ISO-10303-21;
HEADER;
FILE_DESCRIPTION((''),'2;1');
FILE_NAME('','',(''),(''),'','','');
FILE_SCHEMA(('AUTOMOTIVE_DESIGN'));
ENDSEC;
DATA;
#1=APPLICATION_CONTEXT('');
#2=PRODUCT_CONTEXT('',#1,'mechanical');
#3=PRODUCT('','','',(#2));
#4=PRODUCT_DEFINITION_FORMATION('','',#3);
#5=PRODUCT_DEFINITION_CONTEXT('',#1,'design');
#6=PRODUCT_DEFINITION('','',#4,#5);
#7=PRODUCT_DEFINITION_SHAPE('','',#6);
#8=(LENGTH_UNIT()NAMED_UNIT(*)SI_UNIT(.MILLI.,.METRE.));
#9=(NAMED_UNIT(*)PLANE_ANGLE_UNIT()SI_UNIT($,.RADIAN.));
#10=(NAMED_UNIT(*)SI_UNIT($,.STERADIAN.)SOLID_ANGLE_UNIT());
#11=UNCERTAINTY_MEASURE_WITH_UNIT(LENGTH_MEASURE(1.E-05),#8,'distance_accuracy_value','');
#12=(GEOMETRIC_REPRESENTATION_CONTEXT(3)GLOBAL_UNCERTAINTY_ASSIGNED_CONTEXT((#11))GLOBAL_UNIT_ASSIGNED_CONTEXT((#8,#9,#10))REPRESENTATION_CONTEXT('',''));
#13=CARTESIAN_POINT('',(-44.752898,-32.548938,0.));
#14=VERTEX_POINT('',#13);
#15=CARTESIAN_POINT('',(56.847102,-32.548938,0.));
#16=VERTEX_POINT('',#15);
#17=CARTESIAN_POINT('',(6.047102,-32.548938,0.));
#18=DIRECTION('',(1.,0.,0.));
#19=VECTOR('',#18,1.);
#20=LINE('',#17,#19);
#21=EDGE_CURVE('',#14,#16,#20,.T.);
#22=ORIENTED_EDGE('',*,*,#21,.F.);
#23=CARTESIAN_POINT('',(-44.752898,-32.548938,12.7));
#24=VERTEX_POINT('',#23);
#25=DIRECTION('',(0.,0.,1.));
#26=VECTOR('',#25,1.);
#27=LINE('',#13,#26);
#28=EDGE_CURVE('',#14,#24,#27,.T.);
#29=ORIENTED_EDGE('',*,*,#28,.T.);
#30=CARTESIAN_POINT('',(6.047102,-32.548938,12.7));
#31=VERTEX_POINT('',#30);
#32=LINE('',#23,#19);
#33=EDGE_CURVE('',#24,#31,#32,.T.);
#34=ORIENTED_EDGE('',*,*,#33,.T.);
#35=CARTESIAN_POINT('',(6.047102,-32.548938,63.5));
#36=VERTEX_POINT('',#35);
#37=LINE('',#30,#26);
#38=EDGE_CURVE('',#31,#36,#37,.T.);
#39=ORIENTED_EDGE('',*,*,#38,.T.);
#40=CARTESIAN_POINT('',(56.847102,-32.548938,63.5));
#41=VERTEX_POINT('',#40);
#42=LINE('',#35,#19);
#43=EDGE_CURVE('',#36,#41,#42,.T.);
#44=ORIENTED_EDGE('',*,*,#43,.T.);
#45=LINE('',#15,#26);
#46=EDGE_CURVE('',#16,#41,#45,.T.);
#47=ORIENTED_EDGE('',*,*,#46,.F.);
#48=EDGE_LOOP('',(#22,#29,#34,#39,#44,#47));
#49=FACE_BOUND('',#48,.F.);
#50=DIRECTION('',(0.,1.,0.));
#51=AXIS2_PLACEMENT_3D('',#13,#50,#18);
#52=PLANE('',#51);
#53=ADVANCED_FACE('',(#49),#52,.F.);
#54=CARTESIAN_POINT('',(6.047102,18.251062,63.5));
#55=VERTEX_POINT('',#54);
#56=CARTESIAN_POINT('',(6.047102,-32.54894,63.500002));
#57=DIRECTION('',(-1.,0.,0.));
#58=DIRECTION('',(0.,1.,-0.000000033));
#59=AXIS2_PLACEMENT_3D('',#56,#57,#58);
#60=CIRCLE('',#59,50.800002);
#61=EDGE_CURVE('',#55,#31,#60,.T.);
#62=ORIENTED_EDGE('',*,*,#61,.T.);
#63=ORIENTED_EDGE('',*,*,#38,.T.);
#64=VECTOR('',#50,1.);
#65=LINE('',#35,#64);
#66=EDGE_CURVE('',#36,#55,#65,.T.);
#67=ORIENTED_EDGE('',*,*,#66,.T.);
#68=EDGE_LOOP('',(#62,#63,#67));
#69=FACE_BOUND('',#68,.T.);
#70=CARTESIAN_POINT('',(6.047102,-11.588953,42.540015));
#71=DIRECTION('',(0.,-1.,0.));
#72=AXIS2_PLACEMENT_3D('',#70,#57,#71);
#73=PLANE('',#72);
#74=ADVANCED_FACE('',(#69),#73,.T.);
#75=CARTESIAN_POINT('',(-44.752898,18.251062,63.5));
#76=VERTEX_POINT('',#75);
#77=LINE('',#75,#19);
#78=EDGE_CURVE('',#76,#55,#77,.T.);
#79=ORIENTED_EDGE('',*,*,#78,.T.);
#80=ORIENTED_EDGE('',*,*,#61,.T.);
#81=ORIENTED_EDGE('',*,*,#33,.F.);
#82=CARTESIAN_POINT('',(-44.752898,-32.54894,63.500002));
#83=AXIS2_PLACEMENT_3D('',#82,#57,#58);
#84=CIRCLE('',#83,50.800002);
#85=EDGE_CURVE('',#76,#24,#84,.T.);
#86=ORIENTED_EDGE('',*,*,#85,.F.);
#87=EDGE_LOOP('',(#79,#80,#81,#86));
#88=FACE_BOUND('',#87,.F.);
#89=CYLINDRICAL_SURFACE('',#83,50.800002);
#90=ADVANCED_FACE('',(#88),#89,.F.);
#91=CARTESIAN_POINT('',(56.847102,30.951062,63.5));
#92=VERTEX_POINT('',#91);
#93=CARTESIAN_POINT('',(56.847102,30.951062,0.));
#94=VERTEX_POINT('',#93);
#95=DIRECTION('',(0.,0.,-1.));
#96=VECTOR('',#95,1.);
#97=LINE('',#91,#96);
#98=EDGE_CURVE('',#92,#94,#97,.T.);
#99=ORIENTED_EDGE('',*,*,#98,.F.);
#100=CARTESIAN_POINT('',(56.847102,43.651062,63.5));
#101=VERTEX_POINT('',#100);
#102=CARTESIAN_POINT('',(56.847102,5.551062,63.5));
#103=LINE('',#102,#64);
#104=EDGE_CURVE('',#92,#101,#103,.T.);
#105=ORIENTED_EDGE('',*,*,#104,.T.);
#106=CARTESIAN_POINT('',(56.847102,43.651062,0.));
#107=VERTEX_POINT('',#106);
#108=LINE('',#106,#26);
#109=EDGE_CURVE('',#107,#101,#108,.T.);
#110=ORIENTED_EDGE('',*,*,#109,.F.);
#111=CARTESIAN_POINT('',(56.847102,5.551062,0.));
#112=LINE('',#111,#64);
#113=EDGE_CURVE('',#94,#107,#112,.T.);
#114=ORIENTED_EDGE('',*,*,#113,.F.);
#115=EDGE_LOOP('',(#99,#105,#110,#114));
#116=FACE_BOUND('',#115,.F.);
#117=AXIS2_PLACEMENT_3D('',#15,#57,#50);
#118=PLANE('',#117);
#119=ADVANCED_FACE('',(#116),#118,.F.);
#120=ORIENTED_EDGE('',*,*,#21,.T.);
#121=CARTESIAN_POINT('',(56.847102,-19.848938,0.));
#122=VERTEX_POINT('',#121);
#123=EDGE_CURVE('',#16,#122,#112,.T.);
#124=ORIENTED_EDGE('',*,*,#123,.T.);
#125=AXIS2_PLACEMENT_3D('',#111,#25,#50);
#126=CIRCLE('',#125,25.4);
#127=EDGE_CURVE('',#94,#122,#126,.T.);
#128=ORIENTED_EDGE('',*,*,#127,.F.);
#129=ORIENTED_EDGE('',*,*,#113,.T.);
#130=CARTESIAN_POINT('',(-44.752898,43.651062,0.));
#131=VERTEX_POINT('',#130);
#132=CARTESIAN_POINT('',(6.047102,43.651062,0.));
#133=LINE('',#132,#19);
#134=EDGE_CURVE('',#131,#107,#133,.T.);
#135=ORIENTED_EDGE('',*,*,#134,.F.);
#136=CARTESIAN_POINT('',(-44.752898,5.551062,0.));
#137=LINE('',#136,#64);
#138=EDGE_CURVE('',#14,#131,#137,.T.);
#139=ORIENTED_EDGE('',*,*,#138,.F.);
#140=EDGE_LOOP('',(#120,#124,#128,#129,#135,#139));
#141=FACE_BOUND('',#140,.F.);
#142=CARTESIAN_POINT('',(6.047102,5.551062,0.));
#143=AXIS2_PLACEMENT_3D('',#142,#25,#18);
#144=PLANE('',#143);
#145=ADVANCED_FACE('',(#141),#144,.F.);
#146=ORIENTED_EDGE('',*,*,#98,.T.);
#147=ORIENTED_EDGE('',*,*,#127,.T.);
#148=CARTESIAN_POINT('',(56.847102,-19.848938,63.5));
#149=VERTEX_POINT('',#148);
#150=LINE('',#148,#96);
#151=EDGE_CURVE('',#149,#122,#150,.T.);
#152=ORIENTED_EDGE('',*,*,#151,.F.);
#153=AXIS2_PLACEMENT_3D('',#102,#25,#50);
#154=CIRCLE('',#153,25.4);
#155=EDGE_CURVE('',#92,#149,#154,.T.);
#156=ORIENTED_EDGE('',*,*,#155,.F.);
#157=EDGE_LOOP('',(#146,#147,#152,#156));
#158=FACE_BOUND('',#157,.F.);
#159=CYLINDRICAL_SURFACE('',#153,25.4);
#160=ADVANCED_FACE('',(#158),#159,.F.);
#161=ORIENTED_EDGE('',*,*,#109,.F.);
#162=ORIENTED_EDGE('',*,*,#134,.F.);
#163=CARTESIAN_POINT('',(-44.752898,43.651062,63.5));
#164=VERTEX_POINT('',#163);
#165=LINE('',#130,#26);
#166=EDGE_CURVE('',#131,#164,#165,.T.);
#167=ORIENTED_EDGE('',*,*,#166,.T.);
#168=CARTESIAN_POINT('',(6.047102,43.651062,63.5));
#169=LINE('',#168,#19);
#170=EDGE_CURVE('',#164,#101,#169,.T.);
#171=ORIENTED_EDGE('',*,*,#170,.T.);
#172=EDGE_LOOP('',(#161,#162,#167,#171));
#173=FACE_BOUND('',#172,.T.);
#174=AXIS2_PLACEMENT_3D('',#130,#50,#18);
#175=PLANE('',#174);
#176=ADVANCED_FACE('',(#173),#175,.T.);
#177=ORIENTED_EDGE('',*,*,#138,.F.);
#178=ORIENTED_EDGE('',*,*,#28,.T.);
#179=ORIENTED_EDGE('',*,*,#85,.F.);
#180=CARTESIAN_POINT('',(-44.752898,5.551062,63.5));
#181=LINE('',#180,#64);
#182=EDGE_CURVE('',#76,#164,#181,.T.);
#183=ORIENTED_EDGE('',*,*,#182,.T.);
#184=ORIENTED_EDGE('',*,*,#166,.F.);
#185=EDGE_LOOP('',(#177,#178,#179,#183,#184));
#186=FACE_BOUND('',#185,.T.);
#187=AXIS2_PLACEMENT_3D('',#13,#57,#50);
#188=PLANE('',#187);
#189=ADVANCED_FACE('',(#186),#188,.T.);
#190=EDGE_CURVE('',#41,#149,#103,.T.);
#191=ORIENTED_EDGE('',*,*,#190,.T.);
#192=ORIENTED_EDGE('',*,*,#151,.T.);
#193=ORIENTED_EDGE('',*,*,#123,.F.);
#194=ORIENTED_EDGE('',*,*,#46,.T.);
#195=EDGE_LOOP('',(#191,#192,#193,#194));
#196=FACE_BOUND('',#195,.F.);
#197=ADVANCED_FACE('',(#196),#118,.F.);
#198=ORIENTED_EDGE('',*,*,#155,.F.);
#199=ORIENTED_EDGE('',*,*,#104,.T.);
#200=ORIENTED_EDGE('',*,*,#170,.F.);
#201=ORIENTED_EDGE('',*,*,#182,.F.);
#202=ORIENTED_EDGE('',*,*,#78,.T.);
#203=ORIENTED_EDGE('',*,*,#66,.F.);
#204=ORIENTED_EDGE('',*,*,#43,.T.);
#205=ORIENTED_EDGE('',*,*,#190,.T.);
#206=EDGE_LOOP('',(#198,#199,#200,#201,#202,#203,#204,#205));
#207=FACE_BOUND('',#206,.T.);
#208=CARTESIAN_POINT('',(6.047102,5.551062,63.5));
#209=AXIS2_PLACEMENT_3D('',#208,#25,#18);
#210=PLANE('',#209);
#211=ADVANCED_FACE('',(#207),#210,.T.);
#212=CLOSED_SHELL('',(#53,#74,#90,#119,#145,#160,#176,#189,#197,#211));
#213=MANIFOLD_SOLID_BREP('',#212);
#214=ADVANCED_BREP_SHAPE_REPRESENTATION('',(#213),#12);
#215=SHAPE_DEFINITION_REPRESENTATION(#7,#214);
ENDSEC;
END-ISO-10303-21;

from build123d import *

# Parameters (mm, degrees)
F0_W     = 101.6
F0_H     = 76.2
F1_DEPTH = 63.5
F3_DEPTH = 63.501
F5_DEPTH = 50.8


with BuildPart() as f1:
    # F0 (on Top) → F1 (new body)
    with BuildSketch(Plane.XY):
        with Locations((6.047102, 5.551062)):
            Rectangle(F0_W, F0_H)
    extrude(amount=F1_DEPTH)

    # F2 (on face) → F3 (cut, through all)
    with BuildSketch(Plane.XY.offset(63.5)):
        with BuildLine():
            Line((56.847102, -19.848938), (56.847102, 30.951062))
            ThreePointArc((56.847102, 30.951062), (31.447102, 5.551062), (56.847102, -19.848938))
        make_face()
    extrude(amount=-F3_DEPTH, mode=Mode.SUBTRACT)

    # F4 (on face) → F5 (cut)
    with BuildSketch(Plane(origin=(-44.752898, 0, 0), x_dir=(0, -1, 0), z_dir=(-1, 0, 0))):
        with BuildLine():
            Line((32.548938, 63.5), (-18.251062, 63.5))
            ThreePointArc((-18.251062, 63.5), (-3.372086, 27.578976), (32.548938, 12.7))
            Line((32.548938, 12.7), (32.548938, 63.5))
        make_face()
    extrude(amount=-F5_DEPTH, mode=Mode.SUBTRACT)


solid = f1.part
